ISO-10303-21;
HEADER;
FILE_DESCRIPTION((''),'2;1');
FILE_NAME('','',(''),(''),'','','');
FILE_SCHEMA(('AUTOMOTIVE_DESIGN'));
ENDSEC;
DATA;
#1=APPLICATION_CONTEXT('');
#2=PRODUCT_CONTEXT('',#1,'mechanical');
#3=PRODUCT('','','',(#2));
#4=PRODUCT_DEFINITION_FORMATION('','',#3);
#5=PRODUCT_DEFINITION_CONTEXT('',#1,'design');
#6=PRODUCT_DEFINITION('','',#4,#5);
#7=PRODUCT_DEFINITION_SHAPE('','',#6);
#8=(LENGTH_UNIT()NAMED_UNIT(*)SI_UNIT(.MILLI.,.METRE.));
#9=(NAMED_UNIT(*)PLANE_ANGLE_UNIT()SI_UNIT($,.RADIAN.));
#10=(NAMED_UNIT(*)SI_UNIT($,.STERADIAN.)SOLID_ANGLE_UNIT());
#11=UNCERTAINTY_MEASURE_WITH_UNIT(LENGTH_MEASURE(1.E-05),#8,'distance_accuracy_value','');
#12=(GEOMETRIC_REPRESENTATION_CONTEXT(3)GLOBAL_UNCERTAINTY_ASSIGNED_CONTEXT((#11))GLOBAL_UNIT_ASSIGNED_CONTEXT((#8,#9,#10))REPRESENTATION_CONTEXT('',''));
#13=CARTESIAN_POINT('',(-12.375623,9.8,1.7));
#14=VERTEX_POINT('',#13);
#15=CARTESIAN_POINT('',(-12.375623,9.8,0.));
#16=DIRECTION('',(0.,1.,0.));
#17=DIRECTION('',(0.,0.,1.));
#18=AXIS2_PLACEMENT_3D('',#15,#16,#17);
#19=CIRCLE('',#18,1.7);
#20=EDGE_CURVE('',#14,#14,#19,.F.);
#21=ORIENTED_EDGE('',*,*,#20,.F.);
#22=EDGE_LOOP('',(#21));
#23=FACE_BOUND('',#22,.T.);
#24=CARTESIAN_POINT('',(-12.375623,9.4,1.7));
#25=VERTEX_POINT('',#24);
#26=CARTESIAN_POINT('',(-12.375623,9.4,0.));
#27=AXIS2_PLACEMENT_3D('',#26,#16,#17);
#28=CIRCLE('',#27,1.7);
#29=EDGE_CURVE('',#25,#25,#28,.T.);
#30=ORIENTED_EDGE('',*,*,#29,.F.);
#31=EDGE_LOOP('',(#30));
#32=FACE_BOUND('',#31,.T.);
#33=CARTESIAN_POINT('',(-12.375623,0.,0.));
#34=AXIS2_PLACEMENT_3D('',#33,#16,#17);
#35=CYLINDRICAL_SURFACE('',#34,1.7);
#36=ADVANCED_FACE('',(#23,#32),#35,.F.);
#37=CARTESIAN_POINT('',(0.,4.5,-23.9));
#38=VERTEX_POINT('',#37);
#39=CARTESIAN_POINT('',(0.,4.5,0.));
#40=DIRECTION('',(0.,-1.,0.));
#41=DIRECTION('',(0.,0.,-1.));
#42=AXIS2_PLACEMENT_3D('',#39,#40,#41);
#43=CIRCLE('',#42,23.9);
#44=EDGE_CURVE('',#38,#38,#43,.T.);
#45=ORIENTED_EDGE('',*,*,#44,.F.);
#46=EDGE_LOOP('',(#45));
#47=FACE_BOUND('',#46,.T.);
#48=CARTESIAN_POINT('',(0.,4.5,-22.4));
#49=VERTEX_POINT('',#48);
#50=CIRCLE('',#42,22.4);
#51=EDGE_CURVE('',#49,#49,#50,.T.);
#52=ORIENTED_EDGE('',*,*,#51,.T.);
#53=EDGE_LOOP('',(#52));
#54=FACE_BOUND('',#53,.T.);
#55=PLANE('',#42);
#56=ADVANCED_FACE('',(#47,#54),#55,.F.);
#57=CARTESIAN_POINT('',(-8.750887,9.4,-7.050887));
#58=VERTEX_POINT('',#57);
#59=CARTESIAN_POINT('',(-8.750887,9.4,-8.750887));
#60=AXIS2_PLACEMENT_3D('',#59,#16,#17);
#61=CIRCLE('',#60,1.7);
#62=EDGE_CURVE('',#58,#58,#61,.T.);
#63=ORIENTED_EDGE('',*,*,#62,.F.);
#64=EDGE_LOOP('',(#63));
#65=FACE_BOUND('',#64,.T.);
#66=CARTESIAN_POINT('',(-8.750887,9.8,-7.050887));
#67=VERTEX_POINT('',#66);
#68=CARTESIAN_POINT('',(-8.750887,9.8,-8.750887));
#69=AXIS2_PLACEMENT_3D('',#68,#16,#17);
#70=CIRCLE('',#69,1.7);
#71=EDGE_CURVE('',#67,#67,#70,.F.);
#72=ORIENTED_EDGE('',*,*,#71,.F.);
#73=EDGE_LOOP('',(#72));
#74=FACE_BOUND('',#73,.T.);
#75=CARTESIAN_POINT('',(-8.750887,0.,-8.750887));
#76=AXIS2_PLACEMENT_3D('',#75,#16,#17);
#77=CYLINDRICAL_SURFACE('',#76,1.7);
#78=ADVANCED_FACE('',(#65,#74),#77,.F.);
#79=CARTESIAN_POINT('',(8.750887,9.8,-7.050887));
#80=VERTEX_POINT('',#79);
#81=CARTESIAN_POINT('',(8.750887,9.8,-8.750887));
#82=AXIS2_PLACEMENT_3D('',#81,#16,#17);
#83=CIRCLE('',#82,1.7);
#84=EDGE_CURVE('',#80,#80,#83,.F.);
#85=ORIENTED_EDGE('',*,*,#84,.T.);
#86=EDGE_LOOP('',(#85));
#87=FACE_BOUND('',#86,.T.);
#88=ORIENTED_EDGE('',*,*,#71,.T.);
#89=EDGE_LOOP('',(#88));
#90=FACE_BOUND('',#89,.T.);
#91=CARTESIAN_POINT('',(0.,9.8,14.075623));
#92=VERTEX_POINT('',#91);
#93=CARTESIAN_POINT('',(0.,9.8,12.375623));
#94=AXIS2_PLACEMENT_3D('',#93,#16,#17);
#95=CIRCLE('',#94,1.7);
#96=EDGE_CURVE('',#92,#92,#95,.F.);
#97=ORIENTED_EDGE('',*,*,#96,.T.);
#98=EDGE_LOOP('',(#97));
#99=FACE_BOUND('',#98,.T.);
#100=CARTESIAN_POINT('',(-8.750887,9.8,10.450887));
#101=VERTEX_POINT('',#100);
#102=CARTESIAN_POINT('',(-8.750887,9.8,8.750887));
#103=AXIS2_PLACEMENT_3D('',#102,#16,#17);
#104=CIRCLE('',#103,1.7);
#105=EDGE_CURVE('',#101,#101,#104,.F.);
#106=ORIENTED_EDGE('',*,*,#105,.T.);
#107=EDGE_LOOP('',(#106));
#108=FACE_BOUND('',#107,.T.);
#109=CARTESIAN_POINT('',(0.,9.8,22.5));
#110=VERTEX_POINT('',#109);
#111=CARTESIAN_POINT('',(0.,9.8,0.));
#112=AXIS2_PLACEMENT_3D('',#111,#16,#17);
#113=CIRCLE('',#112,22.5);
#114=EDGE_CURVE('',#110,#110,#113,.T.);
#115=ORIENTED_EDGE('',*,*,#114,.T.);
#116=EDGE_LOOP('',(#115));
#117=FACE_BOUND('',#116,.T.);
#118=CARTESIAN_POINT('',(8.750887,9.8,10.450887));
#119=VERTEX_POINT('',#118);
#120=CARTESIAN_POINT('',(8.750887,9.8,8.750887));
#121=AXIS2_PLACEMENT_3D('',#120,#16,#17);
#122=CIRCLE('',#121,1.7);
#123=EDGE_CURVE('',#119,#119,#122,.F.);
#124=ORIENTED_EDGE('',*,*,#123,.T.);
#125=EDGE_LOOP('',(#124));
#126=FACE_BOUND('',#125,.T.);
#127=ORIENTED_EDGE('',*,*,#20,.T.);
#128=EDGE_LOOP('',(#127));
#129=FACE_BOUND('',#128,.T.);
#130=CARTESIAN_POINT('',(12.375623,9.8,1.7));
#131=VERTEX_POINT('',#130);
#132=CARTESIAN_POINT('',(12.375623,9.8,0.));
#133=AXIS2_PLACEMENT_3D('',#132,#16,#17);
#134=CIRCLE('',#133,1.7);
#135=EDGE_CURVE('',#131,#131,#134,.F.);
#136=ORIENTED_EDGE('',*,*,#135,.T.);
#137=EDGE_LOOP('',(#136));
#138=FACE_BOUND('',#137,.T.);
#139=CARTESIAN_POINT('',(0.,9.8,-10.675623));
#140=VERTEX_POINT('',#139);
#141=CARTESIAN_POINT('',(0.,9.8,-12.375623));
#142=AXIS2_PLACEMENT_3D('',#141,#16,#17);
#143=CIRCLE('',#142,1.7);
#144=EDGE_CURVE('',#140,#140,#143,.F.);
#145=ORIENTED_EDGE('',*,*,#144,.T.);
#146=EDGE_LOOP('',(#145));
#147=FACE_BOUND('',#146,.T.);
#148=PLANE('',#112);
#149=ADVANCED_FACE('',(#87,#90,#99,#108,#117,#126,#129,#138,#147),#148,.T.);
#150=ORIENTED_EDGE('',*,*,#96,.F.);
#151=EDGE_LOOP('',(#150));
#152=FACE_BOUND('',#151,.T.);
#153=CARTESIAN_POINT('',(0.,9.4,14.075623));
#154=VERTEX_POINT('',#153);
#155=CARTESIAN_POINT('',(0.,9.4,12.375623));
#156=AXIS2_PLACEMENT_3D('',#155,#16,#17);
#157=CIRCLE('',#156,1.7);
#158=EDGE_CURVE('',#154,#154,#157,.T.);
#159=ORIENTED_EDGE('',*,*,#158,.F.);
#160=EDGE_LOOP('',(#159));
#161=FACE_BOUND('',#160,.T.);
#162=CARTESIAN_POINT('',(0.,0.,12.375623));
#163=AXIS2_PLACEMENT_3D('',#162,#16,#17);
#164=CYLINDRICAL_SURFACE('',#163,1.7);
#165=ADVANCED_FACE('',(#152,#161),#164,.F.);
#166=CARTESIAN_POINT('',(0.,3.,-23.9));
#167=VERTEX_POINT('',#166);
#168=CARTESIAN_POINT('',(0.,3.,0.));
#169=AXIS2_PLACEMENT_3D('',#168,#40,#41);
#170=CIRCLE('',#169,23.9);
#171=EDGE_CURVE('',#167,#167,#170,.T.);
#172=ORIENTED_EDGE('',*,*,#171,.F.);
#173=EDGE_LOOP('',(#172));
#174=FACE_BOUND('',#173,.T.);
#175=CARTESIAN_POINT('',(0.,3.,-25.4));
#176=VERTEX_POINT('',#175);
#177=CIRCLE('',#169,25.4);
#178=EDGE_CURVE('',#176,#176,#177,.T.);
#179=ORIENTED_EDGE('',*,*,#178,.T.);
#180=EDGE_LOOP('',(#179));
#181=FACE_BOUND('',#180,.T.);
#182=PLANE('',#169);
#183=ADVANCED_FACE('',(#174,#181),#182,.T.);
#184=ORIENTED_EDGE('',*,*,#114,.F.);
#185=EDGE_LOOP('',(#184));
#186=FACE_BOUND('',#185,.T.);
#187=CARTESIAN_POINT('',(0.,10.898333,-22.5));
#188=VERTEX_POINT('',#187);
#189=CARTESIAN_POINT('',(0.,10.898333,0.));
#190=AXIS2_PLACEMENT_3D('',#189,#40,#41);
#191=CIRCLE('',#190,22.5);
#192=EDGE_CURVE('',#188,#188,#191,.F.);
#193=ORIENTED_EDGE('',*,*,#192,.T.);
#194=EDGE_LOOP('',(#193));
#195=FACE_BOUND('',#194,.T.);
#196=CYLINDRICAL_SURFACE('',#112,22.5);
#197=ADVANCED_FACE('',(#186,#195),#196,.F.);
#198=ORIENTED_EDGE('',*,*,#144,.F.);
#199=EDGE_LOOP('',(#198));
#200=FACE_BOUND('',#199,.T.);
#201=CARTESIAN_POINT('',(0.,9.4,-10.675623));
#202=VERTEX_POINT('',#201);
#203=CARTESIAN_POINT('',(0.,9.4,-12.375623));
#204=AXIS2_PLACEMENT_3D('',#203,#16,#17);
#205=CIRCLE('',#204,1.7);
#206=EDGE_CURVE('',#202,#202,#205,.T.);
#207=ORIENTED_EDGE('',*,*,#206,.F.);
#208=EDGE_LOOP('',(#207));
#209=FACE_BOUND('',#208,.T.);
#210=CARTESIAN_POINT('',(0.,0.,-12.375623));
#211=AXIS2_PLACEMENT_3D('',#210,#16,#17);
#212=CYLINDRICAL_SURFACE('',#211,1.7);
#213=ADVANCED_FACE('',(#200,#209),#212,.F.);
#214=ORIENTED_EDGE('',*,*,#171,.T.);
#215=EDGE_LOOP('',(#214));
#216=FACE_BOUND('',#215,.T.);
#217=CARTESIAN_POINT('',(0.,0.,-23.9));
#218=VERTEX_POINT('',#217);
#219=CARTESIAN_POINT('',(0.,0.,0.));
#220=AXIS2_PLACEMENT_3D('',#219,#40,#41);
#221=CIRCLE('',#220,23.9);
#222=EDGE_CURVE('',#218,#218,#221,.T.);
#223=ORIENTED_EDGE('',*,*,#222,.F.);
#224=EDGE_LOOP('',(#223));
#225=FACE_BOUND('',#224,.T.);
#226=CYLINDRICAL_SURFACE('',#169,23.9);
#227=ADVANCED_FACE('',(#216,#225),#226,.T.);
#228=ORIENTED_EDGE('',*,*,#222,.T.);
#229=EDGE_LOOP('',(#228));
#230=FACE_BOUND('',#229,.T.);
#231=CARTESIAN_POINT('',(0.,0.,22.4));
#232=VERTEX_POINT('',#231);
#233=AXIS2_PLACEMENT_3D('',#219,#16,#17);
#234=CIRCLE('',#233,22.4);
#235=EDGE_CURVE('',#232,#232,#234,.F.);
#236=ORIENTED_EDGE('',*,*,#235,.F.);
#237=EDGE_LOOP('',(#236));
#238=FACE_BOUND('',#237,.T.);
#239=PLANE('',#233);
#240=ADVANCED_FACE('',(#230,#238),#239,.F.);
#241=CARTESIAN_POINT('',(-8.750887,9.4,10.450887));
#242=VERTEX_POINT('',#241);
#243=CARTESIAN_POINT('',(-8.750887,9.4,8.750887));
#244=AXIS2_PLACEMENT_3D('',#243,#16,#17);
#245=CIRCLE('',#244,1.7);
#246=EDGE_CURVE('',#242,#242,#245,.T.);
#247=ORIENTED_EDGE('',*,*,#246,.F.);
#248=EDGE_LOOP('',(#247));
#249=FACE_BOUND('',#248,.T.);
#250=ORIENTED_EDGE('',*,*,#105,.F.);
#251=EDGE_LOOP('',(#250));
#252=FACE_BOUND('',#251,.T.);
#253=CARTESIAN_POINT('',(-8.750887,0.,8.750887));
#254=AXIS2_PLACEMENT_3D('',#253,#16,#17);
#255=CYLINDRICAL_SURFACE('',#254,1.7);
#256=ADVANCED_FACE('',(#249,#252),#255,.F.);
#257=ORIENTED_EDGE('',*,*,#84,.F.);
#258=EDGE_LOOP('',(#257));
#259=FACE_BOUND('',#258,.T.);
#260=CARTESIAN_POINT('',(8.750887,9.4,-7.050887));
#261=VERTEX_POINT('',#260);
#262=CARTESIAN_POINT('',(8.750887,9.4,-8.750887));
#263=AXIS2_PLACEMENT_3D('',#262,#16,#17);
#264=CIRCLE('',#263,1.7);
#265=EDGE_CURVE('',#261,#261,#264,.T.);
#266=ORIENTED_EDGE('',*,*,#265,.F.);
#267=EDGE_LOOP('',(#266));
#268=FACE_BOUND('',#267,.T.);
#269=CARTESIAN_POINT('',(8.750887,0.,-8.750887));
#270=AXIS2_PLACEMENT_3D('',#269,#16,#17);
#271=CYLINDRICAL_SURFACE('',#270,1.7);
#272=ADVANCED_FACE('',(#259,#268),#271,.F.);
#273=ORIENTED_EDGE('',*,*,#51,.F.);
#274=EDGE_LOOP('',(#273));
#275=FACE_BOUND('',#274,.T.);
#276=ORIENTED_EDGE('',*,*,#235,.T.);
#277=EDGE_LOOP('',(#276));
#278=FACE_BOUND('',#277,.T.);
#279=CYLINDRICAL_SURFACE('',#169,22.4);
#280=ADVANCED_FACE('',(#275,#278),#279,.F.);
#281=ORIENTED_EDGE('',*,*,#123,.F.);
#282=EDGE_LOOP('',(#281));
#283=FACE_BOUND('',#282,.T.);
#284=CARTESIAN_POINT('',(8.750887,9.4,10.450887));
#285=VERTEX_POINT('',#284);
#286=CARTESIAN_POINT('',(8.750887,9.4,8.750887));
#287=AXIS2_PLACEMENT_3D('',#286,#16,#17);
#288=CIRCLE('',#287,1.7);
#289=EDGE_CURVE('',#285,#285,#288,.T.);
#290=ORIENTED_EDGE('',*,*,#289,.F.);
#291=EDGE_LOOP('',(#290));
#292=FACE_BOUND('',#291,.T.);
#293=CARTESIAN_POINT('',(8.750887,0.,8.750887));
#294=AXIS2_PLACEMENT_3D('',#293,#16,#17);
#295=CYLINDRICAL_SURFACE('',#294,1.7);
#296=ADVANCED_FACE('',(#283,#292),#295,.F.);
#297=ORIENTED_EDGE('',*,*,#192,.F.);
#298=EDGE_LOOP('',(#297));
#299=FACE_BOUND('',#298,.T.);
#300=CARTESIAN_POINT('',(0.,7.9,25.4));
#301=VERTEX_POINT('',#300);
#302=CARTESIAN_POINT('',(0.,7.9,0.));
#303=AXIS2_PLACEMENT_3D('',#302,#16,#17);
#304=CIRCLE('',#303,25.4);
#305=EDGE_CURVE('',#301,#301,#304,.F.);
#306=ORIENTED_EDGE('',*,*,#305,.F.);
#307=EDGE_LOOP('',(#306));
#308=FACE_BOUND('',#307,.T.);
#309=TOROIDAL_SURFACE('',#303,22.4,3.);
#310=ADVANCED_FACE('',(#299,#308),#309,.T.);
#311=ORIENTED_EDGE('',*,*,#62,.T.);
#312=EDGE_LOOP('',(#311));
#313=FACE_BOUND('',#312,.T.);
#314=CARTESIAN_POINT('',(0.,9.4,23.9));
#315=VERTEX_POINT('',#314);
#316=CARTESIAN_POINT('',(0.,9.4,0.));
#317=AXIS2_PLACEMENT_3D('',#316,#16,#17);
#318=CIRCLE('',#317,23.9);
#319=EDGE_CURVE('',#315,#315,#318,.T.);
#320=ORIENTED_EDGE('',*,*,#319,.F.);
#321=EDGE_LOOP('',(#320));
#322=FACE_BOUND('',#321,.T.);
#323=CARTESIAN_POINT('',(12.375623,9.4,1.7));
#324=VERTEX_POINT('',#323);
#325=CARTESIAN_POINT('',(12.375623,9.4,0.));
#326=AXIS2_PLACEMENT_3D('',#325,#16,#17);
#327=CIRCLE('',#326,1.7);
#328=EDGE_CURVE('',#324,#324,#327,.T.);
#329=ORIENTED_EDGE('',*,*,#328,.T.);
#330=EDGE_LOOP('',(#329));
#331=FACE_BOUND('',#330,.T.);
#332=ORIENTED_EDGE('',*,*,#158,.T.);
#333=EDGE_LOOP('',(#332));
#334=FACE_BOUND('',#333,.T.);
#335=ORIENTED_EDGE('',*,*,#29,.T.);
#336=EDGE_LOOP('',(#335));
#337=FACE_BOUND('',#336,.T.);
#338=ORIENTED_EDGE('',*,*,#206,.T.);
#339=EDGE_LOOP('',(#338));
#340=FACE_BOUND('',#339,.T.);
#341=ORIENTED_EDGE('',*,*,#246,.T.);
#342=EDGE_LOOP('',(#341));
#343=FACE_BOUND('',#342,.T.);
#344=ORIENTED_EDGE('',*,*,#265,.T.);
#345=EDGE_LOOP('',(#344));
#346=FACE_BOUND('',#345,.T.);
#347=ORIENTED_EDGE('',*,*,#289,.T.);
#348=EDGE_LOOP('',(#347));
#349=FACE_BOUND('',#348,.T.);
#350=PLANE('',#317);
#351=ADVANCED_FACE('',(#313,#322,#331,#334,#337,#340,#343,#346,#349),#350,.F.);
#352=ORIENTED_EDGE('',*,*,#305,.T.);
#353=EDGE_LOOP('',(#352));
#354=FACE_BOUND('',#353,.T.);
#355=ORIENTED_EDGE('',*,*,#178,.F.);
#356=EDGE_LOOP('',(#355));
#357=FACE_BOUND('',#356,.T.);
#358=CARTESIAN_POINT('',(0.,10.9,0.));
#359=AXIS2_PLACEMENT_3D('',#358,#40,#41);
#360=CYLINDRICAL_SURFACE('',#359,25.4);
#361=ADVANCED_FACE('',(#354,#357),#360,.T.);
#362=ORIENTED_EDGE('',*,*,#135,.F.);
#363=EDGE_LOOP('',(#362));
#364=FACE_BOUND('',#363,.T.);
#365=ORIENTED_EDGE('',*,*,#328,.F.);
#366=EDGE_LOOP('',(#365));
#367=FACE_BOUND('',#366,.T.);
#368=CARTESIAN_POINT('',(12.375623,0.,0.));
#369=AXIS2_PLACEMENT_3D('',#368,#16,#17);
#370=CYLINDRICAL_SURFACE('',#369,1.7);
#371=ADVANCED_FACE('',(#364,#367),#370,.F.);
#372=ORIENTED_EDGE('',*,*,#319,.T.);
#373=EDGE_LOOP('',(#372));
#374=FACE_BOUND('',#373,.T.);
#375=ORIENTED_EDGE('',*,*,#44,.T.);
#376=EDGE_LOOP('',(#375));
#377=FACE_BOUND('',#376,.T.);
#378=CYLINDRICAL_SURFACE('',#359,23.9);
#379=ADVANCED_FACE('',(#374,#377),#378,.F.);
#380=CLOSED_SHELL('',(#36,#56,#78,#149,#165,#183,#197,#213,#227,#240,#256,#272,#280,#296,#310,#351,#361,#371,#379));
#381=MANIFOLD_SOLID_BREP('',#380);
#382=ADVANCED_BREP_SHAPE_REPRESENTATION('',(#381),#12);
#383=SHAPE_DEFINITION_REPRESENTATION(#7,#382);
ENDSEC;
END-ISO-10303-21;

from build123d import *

# Parameters (mm, degrees)
SKETCH1_R           = 25.4
BOSS_EXTRUDE1_DEPTH = 10.9
SKETCH4_OUTSIDE_W   = 67.332
SKETCH4_OUTSIDE_H   = 67.332
SKETCH4_OUTSIDE_R   = 23.9
CUT_EXTRUDE3_DEPTH  = 3
SHELL2_T            = -1.5
SKETCH2_R           = 1.7
CUT_EXTRUDE1_DEPTH  = 38.538380359
FILLET1_R           = 3
SKETCH3_R           = 22.5
CUT_EXTRUDE2_DEPTH  = 1.1


with BuildPart() as part:
    # Sketch1 → Boss-Extrude1 (new body)
    with BuildSketch(Plane(origin=(0, 0, 0), x_dir=(1, 0, 0), z_dir=(0, 1, 0))):
        with Locations(Location((0, 0, 0), (0, 0, 270))):
            Circle(SKETCH1_R)
    extrude(amount=BOSS_EXTRUDE1_DEPTH)

    # Sketch4 outside → Cut-Extrude3 (cut)
    with BuildSketch(Plane.XZ):
        Rectangle(SKETCH4_OUTSIDE_W, SKETCH4_OUTSIDE_H)
        with Locations(Location((0, 0, 0), (0, 0, 270))):
            Circle(SKETCH4_OUTSIDE_R, mode=Mode.SUBTRACT)
    extrude(amount=-CUT_EXTRUDE3_DEPTH, mode=Mode.SUBTRACT)

    # Shell2
    shell2_openings = [part.faces().sort_by_distance(p)[0] for p in [
        (0, 0, 0),
    ]]
    offset(amount=SHELL2_T, openings=shell2_openings, kind=Kind.INTERSECTION)

    # Sketch2 → Cut-Extrude1 (cut, through all)
    with BuildSketch(Plane(origin=(0, 10.9, 0), x_dir=(1, 0, 0), z_dir=(0, 1, 0))):
        with Locations(Location((0, 12.375623311, 0), (0, 0, 270))):
            Circle(SKETCH2_R)
        with Locations(Location((8.750887165, 8.750887165, 0), (0, 0, 270))):
            Circle(SKETCH2_R)
        with Locations(Location((12.375623311, 0, 0), (0, 0, 270))):
            Circle(SKETCH2_R)
        with Locations(Location((8.750887165, -8.750887165, 0), (0, 0, 270))):
            Circle(SKETCH2_R)
        with Locations(Location((0, -12.375623311, 0), (0, 0, 270))):
            Circle(SKETCH2_R)
        with Locations(Location((-8.750887165, -8.750887165, 0), (0, 0, 270))):
            Circle(SKETCH2_R)
        with Locations(Location((-12.375623311, 0, 0), (0, 0, 270))):
            Circle(SKETCH2_R)
        with Locations(Location((-8.750887165, 8.750887165, 0), (0, 0, 270))):
            Circle(SKETCH2_R)
    extrude(amount=-CUT_EXTRUDE1_DEPTH, mode=Mode.SUBTRACT)

    # Fillet1
    fillet1_edges = [part.edges().sort_by_distance(p)[0] for p in [
        (0, 10.9, -25.4),
    ]]
    fillet(fillet1_edges, radius=FILLET1_R)

    # Sketch3 → Cut-Extrude2 (cut)
    with BuildSketch(Plane(origin=(0, 10.9, 0), x_dir=(1, 0, 0), z_dir=(0, 1, 0))):
        with Locations(Location((0, 0, 0), (0, 0, 270))):
            Circle(SKETCH3_R)
    extrude(amount=-CUT_EXTRUDE2_DEPTH, mode=Mode.SUBTRACT)


solid = part.part
